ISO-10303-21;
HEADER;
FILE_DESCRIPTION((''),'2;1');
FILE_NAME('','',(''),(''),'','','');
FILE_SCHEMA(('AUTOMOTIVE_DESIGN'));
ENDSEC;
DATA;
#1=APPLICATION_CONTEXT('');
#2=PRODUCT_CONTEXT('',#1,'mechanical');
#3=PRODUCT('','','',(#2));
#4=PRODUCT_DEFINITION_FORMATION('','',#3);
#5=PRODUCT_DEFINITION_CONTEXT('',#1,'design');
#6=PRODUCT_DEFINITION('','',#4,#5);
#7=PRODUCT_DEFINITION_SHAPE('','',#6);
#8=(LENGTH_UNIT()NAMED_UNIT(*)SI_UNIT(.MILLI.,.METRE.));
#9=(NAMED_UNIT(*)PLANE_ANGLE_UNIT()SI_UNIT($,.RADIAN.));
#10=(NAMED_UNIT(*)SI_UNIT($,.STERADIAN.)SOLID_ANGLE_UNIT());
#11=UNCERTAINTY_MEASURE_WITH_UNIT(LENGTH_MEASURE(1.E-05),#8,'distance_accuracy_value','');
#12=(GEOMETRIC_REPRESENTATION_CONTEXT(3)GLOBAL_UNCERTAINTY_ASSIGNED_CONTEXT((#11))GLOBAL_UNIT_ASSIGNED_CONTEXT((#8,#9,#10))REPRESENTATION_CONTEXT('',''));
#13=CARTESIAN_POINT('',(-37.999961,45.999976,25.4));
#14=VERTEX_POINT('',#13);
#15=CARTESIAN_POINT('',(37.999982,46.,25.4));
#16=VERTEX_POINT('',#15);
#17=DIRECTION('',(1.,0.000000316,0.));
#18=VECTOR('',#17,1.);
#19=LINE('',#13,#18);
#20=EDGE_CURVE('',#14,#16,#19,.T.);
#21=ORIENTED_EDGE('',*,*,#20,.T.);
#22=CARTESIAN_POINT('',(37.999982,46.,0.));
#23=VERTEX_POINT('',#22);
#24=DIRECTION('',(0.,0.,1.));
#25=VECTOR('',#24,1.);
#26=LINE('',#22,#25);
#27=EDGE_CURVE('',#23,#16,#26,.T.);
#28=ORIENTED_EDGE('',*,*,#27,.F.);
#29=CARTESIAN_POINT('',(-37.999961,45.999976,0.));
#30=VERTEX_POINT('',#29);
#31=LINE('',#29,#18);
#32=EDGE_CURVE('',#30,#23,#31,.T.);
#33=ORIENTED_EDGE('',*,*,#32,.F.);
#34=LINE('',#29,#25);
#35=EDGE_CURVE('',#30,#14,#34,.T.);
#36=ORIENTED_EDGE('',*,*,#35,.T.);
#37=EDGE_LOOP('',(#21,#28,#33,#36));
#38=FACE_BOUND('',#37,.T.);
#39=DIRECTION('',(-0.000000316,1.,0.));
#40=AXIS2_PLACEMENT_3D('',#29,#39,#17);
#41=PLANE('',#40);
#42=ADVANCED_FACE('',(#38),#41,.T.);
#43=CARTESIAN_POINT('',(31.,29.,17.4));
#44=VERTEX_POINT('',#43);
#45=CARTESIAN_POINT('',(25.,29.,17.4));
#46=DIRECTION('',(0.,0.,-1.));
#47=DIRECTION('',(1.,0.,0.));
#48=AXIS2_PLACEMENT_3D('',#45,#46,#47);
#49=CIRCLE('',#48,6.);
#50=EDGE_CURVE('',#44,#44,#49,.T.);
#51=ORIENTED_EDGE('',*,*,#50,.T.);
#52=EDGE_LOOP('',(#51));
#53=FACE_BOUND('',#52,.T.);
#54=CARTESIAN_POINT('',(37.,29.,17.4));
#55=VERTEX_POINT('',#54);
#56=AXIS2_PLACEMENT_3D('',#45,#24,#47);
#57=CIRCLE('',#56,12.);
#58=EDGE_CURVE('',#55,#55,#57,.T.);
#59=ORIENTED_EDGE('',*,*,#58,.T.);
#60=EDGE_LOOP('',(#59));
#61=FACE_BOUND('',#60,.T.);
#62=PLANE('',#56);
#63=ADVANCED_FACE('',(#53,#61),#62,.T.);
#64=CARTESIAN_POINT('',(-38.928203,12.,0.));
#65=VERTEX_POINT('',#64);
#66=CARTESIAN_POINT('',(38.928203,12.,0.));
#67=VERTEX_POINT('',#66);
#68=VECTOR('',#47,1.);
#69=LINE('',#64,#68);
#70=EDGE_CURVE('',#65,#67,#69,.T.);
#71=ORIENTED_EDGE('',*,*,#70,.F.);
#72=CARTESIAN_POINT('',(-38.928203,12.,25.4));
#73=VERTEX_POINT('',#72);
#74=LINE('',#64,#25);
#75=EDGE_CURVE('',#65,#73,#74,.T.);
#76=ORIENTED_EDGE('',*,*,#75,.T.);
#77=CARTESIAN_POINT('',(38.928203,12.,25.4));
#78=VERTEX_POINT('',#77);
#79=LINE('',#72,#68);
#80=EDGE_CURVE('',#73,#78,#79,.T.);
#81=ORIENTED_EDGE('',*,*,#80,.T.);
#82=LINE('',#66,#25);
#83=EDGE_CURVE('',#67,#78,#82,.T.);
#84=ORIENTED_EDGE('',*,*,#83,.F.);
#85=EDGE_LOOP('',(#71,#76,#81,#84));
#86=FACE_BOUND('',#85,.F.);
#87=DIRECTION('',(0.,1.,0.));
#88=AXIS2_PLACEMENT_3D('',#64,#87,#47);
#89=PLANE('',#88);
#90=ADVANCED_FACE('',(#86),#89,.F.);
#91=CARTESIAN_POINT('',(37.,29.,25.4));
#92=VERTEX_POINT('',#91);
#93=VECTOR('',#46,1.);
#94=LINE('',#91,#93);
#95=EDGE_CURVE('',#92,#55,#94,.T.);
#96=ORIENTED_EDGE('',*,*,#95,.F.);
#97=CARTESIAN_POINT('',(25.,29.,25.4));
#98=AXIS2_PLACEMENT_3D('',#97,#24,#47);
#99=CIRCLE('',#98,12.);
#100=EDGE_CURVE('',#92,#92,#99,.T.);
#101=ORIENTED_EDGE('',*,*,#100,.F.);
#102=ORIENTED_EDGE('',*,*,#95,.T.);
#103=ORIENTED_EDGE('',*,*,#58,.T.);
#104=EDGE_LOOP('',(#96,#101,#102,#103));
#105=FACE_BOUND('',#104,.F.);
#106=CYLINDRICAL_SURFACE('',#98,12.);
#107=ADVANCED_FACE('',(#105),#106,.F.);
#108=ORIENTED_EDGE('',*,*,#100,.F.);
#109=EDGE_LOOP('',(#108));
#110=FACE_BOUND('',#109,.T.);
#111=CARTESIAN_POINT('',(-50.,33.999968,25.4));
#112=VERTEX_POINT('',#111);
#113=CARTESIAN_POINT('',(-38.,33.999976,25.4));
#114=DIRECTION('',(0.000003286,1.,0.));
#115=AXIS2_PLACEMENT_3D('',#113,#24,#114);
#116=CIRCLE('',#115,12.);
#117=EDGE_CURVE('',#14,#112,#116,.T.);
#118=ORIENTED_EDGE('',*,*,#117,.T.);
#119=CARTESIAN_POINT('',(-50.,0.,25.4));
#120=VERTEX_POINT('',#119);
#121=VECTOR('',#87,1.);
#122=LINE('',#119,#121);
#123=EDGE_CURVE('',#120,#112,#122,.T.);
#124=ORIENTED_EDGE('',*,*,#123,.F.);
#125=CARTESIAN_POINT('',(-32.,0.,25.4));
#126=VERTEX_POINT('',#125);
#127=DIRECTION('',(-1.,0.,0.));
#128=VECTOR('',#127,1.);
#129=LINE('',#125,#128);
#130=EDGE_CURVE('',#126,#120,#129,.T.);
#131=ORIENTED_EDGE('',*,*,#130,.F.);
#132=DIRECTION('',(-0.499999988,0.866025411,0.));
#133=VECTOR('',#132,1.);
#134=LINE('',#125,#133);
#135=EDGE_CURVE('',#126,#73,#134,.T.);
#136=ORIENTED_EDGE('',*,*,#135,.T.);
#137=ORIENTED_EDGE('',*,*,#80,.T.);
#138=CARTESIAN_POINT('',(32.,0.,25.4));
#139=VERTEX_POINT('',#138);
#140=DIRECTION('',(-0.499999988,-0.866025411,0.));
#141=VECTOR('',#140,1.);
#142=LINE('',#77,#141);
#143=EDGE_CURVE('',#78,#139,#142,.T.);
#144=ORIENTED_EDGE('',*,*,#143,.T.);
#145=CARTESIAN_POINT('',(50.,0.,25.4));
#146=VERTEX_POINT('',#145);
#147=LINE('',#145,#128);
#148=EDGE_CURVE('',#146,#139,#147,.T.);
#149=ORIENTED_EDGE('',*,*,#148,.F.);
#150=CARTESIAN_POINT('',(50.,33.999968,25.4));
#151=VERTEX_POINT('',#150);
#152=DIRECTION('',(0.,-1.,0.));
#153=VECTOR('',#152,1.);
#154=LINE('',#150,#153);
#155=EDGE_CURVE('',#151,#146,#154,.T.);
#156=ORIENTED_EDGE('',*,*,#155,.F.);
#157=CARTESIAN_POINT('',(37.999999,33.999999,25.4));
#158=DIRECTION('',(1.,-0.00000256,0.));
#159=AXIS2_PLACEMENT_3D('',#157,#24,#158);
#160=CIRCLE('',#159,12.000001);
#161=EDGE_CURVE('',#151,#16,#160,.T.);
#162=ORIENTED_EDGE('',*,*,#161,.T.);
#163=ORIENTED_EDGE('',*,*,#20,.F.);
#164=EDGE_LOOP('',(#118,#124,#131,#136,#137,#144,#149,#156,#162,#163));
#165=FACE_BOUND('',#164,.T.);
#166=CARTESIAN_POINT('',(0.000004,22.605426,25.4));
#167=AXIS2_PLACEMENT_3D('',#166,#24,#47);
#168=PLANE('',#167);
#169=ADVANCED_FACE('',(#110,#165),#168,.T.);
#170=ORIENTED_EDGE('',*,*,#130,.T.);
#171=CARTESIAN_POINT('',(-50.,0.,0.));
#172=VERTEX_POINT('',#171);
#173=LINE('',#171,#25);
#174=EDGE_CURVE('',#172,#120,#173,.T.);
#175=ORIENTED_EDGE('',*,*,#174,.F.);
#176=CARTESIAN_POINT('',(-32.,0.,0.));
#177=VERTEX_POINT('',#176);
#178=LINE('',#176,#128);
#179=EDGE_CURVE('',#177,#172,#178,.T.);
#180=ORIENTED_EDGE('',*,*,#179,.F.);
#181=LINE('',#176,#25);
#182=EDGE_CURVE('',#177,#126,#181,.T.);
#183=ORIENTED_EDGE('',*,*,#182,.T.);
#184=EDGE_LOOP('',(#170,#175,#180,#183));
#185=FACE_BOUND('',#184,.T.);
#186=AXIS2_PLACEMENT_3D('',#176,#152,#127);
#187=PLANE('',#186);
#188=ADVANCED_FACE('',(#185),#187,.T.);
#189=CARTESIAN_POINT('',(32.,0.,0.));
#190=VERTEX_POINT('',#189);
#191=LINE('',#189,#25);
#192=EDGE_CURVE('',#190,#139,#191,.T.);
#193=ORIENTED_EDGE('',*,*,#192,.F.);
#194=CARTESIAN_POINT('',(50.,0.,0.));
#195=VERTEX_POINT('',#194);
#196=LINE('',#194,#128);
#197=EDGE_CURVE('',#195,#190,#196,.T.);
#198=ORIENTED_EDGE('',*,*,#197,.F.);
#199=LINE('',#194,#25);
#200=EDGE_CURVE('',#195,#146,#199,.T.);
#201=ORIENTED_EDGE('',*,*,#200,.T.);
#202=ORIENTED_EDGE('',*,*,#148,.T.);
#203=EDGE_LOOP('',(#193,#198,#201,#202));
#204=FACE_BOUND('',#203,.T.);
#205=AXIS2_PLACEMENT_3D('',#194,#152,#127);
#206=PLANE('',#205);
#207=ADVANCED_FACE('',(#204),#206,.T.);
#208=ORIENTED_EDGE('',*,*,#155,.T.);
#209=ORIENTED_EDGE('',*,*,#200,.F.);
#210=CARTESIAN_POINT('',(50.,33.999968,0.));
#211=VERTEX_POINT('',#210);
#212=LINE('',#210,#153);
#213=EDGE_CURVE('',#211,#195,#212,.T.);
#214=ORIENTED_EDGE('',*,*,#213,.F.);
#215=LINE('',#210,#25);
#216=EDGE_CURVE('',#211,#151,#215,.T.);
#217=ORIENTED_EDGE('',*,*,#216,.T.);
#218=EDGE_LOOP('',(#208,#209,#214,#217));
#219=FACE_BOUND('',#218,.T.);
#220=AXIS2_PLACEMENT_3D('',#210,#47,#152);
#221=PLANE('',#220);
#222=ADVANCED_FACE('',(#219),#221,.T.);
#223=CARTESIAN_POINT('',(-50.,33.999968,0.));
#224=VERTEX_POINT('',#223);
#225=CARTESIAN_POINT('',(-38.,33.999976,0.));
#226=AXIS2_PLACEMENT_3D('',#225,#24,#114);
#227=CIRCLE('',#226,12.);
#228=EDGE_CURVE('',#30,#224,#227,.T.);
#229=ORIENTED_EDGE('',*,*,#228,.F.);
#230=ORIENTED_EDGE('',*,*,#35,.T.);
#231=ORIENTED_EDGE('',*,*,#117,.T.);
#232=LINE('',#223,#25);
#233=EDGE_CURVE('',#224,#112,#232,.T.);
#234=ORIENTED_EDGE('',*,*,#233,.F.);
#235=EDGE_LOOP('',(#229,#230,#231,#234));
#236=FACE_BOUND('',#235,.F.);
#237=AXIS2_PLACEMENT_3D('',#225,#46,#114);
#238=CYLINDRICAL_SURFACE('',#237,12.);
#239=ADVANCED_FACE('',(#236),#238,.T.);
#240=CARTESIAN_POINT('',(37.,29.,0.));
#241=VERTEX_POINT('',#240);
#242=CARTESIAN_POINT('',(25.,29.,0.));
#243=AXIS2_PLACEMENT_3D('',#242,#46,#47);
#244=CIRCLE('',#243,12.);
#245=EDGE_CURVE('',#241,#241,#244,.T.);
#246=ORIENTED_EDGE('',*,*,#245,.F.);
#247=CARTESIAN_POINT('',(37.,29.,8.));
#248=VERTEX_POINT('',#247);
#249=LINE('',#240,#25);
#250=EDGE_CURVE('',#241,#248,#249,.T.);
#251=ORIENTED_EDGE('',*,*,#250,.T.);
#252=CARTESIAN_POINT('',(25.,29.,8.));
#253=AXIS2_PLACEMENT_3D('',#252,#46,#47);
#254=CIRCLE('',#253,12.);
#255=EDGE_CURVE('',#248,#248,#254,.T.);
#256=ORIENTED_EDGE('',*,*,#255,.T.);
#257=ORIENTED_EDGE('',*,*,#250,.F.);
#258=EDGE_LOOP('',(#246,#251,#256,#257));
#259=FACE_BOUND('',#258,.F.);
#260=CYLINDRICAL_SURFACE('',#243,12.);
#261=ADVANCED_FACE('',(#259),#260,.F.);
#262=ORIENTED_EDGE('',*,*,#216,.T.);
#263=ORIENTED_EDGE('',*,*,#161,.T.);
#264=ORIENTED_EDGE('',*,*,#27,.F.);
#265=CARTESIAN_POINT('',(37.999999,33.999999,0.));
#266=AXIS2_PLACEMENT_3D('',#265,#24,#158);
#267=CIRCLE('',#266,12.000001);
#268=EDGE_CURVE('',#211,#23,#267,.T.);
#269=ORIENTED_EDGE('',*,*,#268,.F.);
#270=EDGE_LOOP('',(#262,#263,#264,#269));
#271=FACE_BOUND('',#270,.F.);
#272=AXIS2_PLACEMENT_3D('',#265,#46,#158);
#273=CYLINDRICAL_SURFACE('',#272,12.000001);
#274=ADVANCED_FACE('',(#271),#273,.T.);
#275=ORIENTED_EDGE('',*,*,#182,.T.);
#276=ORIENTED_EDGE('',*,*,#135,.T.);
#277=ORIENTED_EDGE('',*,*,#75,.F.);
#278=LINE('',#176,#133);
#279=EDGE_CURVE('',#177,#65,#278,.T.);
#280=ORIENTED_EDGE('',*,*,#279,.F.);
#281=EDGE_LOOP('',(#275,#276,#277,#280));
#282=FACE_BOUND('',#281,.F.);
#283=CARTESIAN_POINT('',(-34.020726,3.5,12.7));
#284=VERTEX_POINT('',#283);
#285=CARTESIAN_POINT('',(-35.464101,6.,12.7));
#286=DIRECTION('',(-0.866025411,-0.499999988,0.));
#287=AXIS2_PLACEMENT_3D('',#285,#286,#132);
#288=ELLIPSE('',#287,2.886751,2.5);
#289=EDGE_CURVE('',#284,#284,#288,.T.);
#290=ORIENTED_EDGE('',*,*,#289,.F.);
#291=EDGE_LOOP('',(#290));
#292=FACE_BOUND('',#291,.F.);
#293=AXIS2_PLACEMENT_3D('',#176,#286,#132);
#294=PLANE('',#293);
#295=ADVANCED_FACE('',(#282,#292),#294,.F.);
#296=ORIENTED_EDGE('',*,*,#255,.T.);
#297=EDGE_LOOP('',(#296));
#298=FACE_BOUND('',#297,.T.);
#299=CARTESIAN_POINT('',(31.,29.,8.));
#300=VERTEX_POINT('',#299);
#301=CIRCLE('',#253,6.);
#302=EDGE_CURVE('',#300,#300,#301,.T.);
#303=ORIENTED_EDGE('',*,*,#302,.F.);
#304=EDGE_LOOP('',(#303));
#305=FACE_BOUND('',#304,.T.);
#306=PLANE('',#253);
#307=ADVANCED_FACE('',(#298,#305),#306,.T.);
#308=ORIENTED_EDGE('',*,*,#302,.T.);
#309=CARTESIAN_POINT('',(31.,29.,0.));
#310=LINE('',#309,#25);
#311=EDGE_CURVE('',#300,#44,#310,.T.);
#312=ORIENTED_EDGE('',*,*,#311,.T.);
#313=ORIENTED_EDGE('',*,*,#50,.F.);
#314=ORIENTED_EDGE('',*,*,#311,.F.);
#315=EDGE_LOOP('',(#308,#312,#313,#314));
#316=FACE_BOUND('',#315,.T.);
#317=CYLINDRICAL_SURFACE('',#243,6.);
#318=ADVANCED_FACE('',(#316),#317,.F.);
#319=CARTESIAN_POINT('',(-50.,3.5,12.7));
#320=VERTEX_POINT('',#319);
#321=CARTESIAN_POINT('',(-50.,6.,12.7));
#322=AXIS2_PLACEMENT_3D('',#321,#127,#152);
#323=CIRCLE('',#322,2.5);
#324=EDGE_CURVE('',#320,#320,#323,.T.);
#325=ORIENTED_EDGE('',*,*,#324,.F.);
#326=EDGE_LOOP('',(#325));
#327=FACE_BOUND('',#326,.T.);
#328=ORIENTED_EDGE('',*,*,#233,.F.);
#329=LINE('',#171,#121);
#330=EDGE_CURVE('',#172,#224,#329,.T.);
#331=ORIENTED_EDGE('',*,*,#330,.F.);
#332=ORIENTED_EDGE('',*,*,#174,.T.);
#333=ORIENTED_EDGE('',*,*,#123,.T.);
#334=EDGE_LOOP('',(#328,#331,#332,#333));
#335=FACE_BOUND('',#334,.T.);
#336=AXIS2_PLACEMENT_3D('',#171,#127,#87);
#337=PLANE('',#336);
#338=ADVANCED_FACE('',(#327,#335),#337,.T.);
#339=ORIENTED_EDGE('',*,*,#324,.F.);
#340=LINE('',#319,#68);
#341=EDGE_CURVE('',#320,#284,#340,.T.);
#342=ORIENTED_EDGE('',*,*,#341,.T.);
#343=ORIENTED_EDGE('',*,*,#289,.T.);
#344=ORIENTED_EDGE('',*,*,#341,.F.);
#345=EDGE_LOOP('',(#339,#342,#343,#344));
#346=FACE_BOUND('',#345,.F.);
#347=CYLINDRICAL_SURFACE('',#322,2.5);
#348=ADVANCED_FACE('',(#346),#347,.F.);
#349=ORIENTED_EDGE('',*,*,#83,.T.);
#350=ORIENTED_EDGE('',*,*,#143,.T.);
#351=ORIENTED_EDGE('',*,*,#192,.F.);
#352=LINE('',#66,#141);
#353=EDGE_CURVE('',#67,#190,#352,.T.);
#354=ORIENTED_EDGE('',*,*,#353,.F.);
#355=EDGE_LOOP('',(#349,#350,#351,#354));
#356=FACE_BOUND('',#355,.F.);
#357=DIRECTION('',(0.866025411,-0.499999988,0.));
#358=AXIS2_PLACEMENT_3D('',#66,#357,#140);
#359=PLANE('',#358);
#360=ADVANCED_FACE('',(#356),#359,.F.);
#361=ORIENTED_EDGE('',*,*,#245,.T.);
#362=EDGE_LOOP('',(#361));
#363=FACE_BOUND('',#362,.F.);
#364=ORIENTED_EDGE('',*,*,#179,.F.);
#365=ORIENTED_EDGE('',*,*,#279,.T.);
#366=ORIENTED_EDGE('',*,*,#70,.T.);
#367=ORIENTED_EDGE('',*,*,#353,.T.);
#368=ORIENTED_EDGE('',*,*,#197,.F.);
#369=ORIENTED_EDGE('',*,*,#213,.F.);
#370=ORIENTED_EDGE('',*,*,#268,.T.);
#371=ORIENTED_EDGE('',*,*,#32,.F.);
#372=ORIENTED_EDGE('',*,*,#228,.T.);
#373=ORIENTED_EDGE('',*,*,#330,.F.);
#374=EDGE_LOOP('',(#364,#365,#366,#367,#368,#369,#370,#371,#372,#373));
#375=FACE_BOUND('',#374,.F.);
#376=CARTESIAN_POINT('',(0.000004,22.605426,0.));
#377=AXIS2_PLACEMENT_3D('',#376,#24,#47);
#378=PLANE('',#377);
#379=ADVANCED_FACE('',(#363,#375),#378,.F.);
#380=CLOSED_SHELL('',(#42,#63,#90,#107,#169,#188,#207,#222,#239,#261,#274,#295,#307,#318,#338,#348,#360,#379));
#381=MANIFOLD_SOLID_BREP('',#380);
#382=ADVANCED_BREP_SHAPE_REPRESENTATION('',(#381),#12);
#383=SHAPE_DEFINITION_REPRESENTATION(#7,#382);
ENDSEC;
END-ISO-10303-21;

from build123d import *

# Parameters (mm, degrees)
SKETCH002_R     = 6
PAD_DEPTH       = 25.4
SKETCH_R        = 12
POCKET_DEPTH    = 8
SKETCH003_R     = 12
POCKET001_DEPTH = 8
SKETCH004_R     = 2.5
POCKET002_DEPTH = 16


with BuildPart() as part:
    # Sketch002 → Pad (new body)
    with BuildSketch(Plane.XY):
        with BuildLine():
            Line((-32, 0), (-38.928203, 12))
            Line((-38.928203, 12), (38.928203, 12))
            Line((38.928203, 12), (32, 0))
            Line((50, 0), (32, 0))
            Line((50, 33.999968), (50, 0))
            ThreePointArc((50, 33.999968), (46.485286, 42.485276), (37.999982, 46))
            Line((-37.999961, 45.999976), (37.999982, 46))
            ThreePointArc((-37.999961, 45.999976), (-46.485271, 42.485268), (-50, 33.999968))
            Line((-50, 0), (-50, 33.999968))
            Line((-32, 0), (-50, 0))
        make_face()
        with Locations((25, 29)):
            Circle(SKETCH002_R, mode=Mode.SUBTRACT)
    extrude(amount=PAD_DEPTH)

    # Sketch → Pocket (cut)
    with BuildSketch(Plane.XY.offset(25.4)):
        with Locations((25, 29)):
            Circle(SKETCH_R)
    extrude(amount=-POCKET_DEPTH, mode=Mode.SUBTRACT)

    # Sketch003 → Pocket001 (cut)
    with BuildSketch(Plane(origin=(0, 0, 0), x_dir=(1, 0, 0), z_dir=(0, 0, -1))):
        with Locations((25, -29)):
            Circle(SKETCH003_R)
    extrude(amount=-POCKET001_DEPTH, mode=Mode.SUBTRACT)

    # Sketch004 → Pocket002 (cut)
    with BuildSketch(Plane(origin=(-50, 0, 0), x_dir=(0, -1, 0), z_dir=(-1, 0, 0))):
        with Locations((-6, 12.7)):
            Circle(SKETCH004_R)
    extrude(amount=-POCKET002_DEPTH, mode=Mode.SUBTRACT)


solid = part.part
